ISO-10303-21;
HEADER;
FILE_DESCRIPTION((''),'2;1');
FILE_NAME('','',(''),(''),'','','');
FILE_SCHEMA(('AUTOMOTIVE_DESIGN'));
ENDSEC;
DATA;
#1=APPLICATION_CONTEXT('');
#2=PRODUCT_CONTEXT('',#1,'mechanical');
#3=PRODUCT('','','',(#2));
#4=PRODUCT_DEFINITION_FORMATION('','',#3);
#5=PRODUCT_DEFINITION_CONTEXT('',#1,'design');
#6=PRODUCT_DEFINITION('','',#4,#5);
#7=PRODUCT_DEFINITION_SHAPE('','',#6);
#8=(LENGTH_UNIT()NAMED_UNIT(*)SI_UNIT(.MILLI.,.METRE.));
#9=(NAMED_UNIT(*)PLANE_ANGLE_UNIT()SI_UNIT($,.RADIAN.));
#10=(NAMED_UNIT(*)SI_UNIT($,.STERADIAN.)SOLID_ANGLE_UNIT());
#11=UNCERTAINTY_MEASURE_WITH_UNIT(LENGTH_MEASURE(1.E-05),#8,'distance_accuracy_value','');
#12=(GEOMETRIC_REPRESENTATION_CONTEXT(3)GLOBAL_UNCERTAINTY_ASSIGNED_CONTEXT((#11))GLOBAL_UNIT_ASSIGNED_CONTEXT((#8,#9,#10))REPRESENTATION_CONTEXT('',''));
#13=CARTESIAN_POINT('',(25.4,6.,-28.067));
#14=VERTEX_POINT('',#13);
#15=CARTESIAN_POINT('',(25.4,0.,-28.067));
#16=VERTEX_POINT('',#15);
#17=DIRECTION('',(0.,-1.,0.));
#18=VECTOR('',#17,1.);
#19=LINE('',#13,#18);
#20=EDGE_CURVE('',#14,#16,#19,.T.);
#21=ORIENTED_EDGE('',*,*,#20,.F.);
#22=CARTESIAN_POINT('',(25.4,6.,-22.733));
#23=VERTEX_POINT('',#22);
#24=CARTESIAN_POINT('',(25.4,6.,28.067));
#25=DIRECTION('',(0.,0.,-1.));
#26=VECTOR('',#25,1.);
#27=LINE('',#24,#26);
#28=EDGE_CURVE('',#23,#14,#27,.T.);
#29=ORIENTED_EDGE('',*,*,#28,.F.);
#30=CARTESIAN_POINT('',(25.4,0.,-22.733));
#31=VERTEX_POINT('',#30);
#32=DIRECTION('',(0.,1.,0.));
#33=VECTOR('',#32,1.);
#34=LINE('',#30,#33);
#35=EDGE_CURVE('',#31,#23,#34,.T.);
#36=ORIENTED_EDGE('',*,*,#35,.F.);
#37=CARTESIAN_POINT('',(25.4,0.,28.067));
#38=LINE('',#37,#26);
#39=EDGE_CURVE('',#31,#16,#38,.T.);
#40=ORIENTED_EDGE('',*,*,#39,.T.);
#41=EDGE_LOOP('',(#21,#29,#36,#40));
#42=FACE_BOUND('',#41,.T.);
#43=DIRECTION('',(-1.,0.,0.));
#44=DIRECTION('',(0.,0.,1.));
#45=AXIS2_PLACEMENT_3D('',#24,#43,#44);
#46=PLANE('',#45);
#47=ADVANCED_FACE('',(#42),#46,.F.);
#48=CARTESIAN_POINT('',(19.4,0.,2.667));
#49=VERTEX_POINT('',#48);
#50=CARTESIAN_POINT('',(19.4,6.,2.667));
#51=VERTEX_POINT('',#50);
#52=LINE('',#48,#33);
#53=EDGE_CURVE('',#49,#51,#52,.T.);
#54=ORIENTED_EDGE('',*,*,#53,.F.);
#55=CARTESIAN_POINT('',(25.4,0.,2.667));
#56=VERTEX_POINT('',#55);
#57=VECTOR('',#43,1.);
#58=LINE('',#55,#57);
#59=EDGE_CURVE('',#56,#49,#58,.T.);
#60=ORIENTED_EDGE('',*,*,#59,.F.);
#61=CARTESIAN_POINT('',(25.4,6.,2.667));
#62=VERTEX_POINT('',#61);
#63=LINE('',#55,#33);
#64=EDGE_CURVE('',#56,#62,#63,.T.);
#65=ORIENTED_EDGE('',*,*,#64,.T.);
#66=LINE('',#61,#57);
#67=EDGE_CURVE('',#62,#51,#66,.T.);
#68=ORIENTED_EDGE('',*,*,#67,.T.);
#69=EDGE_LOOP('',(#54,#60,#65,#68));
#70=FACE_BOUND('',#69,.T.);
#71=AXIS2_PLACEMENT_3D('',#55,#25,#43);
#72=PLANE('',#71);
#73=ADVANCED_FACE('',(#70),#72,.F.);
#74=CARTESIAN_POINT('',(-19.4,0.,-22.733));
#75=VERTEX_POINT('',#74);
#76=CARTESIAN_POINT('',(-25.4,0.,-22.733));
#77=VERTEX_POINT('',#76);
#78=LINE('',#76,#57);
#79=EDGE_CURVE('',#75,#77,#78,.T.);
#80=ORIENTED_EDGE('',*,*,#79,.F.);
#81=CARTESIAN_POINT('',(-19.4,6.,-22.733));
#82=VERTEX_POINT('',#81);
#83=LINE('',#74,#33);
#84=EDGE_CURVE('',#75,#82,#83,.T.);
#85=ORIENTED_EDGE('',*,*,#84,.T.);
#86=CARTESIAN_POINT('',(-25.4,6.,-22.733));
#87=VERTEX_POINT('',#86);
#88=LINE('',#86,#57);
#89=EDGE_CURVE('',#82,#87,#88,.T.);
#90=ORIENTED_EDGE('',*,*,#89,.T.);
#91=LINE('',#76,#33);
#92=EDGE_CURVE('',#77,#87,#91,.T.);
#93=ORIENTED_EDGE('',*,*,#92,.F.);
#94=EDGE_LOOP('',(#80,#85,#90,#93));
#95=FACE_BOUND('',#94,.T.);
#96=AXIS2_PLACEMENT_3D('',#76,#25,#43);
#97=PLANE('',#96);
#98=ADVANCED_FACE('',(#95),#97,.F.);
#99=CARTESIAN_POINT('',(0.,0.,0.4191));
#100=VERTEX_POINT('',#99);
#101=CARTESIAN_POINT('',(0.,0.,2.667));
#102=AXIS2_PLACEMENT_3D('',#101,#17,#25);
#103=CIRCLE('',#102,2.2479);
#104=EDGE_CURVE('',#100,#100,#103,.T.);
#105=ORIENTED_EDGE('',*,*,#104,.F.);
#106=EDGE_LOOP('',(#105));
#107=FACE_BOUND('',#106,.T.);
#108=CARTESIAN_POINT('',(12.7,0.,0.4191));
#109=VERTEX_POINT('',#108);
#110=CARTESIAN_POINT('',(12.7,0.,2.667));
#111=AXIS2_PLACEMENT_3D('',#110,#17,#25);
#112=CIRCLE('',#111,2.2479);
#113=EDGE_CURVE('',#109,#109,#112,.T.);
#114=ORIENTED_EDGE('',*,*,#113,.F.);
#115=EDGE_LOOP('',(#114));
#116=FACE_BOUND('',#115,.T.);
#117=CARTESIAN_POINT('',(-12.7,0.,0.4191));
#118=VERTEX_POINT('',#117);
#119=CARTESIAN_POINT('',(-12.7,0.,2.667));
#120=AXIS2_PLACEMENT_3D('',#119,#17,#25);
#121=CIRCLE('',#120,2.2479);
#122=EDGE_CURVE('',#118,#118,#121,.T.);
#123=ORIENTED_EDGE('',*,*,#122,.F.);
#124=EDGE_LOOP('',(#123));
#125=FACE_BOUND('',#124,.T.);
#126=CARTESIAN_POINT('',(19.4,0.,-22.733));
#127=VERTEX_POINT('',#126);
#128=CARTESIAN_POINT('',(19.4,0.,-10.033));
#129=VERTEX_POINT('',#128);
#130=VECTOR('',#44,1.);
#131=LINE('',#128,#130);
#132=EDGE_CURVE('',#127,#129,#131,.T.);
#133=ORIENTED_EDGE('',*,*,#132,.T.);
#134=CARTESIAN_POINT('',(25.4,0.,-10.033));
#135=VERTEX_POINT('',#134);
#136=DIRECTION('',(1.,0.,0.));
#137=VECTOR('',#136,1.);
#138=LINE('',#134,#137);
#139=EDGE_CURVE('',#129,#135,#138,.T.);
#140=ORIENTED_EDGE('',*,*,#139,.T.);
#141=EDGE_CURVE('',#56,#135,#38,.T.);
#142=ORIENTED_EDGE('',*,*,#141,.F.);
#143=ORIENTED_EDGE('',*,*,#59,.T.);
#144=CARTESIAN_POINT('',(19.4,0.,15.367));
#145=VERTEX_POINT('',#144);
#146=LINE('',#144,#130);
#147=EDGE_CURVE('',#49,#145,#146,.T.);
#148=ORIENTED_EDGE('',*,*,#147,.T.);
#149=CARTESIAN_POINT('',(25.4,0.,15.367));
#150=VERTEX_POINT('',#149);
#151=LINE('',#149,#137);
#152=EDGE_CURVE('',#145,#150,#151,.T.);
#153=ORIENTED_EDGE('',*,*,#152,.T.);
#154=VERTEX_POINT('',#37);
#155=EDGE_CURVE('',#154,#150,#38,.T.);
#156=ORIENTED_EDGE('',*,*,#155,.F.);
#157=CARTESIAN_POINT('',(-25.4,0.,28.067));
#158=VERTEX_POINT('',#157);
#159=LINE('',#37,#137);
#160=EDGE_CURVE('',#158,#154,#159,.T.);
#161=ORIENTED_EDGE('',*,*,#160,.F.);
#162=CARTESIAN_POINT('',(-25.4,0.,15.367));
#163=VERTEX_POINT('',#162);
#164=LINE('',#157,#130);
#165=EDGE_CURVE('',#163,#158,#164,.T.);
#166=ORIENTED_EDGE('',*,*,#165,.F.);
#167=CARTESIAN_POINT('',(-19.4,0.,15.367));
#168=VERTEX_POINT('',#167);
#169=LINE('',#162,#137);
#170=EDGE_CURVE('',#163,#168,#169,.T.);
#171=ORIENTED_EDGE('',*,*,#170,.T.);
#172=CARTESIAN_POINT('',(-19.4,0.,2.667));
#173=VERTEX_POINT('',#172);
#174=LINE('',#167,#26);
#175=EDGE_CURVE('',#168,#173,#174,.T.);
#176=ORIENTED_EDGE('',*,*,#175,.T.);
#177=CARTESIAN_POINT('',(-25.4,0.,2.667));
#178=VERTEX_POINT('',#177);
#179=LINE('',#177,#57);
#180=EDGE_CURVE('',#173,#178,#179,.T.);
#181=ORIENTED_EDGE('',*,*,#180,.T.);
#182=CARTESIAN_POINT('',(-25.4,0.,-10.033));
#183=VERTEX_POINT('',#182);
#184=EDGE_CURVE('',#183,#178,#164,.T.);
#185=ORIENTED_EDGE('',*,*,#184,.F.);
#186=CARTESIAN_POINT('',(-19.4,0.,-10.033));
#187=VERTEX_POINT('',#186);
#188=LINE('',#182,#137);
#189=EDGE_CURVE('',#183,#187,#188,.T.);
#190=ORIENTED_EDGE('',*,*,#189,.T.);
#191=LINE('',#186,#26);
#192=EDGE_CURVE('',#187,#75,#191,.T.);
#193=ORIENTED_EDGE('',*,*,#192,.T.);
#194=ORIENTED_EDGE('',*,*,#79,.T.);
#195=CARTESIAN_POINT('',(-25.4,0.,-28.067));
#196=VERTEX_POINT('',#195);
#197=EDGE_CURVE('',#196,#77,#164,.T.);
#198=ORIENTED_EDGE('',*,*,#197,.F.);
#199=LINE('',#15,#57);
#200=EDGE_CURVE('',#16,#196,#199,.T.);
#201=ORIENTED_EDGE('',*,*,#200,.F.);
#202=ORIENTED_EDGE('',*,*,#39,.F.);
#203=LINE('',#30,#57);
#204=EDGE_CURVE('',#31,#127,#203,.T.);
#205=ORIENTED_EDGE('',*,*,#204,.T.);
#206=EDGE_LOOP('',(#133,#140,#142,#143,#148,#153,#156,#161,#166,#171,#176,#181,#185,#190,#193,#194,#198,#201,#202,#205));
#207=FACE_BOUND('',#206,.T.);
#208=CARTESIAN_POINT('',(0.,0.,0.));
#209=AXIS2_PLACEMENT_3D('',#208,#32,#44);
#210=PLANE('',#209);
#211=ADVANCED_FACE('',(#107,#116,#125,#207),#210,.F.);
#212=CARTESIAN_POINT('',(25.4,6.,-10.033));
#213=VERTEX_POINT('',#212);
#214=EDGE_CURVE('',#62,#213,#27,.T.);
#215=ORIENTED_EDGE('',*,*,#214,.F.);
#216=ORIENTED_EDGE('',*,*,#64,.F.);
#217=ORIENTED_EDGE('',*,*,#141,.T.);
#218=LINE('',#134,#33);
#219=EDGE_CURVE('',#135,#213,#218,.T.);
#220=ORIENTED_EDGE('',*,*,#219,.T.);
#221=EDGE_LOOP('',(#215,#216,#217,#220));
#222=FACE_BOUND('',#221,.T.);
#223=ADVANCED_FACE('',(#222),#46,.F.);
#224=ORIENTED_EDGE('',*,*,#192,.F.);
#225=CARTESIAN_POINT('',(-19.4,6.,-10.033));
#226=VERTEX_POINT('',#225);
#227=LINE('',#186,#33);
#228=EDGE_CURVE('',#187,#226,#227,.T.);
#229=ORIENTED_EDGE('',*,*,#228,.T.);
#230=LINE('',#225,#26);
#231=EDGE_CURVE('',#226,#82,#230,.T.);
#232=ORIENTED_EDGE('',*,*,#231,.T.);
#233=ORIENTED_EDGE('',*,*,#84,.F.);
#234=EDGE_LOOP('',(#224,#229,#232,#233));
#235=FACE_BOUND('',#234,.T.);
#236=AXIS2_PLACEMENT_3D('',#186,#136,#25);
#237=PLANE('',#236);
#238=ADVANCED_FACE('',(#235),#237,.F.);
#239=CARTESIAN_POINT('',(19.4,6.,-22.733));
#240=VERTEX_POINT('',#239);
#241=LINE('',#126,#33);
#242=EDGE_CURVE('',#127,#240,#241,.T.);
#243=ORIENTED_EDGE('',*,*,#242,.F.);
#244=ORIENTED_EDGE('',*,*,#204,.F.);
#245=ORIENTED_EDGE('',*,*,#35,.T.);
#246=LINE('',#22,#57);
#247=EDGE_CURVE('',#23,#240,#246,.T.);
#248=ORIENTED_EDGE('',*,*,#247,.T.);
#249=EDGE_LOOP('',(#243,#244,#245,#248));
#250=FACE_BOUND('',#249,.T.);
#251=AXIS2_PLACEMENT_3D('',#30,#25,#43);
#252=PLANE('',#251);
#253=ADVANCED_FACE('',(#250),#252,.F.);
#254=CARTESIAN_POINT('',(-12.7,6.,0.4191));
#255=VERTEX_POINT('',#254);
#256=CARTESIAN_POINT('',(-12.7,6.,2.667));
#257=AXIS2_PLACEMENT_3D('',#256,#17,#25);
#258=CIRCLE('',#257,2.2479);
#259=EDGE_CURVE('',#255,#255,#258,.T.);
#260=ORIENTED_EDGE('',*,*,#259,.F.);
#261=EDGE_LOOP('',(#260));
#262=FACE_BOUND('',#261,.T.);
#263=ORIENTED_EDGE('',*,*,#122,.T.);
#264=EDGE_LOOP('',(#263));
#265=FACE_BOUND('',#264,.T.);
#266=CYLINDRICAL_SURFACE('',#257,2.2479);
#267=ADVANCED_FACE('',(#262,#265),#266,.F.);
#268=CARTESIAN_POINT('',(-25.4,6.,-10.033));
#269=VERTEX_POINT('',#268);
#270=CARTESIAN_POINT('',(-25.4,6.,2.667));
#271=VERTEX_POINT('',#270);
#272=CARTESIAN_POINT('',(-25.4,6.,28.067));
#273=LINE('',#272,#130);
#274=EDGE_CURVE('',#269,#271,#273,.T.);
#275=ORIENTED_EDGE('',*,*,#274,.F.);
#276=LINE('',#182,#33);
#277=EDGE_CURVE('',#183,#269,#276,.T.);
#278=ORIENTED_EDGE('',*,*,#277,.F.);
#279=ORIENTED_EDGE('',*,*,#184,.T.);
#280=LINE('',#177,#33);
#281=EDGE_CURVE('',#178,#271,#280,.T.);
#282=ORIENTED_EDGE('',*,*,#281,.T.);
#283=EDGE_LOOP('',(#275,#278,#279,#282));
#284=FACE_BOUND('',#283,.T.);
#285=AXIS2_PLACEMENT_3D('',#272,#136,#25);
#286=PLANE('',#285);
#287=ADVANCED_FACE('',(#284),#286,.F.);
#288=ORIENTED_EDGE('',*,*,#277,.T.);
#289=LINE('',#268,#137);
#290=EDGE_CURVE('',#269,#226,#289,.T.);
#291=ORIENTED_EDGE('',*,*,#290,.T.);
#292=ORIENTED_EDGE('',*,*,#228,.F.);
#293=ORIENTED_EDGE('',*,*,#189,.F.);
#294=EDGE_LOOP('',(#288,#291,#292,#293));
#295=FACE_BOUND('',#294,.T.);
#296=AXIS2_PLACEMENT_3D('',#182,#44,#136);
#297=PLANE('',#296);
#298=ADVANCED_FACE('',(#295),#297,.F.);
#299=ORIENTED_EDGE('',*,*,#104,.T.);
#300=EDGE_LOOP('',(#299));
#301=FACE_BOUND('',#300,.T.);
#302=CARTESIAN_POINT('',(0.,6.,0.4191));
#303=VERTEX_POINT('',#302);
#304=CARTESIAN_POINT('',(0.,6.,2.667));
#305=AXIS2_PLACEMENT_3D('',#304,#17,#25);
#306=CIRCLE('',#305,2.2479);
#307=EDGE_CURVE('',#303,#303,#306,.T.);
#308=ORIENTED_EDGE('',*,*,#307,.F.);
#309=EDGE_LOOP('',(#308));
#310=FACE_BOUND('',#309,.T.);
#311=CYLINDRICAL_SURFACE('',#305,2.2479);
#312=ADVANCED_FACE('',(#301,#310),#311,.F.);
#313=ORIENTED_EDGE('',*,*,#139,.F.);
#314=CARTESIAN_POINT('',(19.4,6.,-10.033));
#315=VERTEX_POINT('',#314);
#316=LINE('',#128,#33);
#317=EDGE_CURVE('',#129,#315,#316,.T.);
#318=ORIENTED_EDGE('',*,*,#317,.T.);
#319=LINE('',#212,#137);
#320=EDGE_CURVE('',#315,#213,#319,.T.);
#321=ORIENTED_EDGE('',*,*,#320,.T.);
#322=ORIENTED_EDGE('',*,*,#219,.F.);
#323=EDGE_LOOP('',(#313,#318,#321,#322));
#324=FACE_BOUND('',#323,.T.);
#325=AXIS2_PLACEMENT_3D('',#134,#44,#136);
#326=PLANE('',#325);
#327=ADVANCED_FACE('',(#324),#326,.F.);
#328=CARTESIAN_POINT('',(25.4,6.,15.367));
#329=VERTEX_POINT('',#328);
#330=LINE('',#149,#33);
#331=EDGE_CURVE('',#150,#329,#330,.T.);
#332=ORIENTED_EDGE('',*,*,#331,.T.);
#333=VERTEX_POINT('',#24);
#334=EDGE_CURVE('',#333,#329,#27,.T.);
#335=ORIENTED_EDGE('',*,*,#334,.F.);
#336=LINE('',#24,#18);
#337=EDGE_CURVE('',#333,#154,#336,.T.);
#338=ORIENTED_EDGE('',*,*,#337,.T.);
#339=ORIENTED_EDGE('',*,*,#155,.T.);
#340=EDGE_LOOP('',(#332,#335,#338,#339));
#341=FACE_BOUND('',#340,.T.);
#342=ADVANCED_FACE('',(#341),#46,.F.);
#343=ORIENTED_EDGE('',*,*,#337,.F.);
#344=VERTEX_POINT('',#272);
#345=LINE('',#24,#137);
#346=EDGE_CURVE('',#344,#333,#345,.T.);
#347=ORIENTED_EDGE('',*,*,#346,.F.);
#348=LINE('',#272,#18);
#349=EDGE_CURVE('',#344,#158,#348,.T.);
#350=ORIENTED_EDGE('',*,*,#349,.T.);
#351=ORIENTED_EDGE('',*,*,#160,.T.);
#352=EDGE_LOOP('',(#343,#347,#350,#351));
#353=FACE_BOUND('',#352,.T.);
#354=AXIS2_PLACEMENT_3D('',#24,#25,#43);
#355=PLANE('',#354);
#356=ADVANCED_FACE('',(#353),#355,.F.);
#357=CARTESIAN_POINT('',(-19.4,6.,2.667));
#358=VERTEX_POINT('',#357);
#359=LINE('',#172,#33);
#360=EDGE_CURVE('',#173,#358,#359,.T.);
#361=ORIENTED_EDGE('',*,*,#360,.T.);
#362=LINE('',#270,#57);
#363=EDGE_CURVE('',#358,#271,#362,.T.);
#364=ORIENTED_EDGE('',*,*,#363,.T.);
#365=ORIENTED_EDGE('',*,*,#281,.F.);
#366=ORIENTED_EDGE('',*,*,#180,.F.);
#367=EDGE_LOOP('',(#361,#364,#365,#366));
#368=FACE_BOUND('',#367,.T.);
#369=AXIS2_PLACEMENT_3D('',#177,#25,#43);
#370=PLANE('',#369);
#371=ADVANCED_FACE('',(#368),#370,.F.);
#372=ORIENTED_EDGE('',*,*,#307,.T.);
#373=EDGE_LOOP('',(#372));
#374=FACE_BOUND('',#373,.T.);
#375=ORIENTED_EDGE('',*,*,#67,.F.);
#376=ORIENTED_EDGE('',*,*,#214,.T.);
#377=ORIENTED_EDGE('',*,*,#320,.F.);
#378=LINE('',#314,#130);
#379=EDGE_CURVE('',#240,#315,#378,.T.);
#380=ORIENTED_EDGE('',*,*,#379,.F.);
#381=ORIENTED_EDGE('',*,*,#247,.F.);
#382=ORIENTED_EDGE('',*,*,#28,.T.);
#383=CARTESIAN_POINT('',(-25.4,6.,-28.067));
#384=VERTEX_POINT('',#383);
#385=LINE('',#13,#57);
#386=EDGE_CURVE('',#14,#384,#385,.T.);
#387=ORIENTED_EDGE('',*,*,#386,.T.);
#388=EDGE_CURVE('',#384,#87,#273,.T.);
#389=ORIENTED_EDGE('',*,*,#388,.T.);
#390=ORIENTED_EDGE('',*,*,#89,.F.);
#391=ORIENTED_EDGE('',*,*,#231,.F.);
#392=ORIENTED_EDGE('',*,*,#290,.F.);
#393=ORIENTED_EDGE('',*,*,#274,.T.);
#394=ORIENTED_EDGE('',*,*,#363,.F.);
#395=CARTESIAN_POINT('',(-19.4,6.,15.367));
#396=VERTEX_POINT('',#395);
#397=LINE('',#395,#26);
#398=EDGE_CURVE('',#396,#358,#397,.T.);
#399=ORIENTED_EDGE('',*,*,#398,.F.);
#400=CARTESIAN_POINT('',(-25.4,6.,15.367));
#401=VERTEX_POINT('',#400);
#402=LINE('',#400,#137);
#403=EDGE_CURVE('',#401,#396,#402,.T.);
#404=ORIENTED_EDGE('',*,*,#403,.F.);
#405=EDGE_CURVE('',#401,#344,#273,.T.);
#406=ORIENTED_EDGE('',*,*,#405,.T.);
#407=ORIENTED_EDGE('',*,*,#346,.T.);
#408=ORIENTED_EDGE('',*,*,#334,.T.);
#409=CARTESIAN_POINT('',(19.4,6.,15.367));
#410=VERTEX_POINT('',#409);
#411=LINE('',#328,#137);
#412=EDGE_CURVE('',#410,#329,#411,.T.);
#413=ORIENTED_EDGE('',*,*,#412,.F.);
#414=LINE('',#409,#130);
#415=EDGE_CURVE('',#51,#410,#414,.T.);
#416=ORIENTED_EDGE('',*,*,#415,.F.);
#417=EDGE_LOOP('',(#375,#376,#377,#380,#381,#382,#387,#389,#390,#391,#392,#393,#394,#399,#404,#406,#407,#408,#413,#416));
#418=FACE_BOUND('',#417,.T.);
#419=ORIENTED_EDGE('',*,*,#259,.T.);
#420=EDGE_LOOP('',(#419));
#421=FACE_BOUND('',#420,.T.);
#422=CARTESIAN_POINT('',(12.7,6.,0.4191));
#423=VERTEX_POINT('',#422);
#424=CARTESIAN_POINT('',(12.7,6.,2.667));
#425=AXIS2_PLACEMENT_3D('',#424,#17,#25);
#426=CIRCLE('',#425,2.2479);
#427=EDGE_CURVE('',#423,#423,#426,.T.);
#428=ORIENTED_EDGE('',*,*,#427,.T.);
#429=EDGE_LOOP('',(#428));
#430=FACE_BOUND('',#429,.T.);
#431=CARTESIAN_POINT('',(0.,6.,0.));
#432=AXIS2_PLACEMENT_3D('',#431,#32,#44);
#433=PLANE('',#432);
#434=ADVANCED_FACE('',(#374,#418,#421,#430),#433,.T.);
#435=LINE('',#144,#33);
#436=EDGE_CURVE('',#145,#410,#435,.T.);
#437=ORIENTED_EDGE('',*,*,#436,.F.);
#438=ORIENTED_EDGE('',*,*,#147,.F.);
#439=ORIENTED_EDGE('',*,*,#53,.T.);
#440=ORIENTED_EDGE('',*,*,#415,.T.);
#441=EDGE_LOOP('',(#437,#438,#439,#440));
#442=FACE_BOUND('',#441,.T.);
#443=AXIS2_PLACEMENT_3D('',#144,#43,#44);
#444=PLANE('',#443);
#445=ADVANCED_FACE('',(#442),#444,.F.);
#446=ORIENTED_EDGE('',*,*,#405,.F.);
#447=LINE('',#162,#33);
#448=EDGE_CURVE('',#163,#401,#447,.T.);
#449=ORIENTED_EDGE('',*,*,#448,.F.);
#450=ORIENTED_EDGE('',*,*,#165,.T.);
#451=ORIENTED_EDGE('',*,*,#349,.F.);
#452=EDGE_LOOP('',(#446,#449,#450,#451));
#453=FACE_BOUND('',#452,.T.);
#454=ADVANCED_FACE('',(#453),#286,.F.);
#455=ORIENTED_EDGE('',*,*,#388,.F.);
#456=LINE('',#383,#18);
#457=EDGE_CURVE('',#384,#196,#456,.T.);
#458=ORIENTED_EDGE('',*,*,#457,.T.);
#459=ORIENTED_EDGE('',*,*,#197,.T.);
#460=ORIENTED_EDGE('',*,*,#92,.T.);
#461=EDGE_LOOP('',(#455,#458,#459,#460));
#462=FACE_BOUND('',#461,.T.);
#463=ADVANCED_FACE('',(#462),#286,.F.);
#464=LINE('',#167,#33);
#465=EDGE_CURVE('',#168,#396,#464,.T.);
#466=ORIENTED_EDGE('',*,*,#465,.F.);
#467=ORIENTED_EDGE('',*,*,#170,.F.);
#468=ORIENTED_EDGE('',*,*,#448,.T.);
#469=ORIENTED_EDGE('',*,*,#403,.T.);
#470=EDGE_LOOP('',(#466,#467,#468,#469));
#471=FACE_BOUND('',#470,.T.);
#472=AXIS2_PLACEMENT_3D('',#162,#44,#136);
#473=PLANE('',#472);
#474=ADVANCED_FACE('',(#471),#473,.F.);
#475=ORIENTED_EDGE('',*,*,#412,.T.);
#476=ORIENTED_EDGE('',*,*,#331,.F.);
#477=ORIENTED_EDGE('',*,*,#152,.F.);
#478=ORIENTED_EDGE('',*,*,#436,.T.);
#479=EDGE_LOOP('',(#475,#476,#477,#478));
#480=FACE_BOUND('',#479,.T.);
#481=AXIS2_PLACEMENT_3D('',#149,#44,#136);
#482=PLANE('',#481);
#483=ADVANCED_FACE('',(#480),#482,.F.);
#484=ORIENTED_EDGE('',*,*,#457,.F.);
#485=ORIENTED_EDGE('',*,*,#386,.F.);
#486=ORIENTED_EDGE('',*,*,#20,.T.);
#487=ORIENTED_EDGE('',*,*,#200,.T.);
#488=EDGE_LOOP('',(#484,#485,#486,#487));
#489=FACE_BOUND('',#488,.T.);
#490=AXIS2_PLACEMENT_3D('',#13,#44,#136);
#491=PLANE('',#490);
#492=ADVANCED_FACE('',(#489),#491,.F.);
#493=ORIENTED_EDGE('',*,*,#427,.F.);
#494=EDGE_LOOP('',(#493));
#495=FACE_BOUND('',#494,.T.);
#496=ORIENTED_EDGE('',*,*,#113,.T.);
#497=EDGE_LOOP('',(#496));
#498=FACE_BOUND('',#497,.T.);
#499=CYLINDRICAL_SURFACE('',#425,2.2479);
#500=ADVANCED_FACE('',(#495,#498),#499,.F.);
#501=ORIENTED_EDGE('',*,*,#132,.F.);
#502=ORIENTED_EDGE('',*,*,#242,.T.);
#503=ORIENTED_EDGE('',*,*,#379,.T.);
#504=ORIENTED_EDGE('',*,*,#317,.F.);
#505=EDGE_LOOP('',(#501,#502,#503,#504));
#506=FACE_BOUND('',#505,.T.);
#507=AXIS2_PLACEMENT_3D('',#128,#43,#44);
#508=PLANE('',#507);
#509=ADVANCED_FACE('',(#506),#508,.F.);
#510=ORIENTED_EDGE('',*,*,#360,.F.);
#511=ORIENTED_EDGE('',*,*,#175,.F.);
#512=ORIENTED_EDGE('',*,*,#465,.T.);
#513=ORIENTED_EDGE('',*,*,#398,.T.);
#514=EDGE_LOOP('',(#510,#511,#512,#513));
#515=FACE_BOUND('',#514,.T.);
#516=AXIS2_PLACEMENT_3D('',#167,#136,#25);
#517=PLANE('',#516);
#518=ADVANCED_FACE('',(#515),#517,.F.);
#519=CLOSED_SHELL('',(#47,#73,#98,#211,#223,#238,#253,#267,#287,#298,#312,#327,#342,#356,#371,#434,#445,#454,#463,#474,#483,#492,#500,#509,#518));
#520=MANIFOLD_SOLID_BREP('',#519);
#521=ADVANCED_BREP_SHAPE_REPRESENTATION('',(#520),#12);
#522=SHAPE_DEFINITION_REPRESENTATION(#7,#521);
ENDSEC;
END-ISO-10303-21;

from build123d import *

# Parameters (mm, degrees)
SKETCH1_W            = 50.8
SKETCH1_H            = 56.134
MAIN_DEPTH           = 6
SKETCH2_W            = 6
SKETCH2_H            = 12.7
ACRYLIC_MOUNTS_DEPTH = 39.326446339
SKETCH3_R            = 2.2479
CUT_EXTRUDE1_DEPTH   = 39.326446339


with BuildPart() as part:
    # Sketch1 → Main (new body)
    with BuildSketch(Plane(origin=(0, 0, 0), x_dir=(1, 0, 0), z_dir=(0, 1, 0))):
        Rectangle(SKETCH1_W, SKETCH1_H)
    extrude(amount=MAIN_DEPTH)

    # Sketch2 → Acrylic Mounts (cut, through all)
    with BuildSketch(Plane(origin=(0, 6, 0), x_dir=(1, 0, 0), z_dir=(0, 1, 0))):
        with Locations((-22.4, -9.017)):
            Rectangle(SKETCH2_W, SKETCH2_H)
        with Locations((-22.4, 16.383)):
            Rectangle(SKETCH2_W, SKETCH2_H)
        with Locations((22.4, 16.383)):
            Rectangle(SKETCH2_W, SKETCH2_H)
        with Locations((22.4, -9.017)):
            Rectangle(SKETCH2_W, SKETCH2_H)
    extrude(amount=-ACRYLIC_MOUNTS_DEPTH, mode=Mode.SUBTRACT)

    # Sketch3 → Cut-Extrude1 (cut, through all)
    with BuildSketch(Plane(origin=(0, 0, 0), x_dir=(-1, 0, 0), z_dir=(0, -1, 0))):
        with Locations(Location((12.7, -2.667, 0), (0, 0, 90))):
            Circle(SKETCH3_R)
        with Locations(Location((-12.7, -2.667, 0), (0, 0, 90))):
            Circle(SKETCH3_R)
        with Locations(Location((0, -2.667, 0), (0, 0, 90))):
            Circle(SKETCH3_R)
    extrude(amount=-CUT_EXTRUDE1_DEPTH, mode=Mode.SUBTRACT)


solid = part.part
